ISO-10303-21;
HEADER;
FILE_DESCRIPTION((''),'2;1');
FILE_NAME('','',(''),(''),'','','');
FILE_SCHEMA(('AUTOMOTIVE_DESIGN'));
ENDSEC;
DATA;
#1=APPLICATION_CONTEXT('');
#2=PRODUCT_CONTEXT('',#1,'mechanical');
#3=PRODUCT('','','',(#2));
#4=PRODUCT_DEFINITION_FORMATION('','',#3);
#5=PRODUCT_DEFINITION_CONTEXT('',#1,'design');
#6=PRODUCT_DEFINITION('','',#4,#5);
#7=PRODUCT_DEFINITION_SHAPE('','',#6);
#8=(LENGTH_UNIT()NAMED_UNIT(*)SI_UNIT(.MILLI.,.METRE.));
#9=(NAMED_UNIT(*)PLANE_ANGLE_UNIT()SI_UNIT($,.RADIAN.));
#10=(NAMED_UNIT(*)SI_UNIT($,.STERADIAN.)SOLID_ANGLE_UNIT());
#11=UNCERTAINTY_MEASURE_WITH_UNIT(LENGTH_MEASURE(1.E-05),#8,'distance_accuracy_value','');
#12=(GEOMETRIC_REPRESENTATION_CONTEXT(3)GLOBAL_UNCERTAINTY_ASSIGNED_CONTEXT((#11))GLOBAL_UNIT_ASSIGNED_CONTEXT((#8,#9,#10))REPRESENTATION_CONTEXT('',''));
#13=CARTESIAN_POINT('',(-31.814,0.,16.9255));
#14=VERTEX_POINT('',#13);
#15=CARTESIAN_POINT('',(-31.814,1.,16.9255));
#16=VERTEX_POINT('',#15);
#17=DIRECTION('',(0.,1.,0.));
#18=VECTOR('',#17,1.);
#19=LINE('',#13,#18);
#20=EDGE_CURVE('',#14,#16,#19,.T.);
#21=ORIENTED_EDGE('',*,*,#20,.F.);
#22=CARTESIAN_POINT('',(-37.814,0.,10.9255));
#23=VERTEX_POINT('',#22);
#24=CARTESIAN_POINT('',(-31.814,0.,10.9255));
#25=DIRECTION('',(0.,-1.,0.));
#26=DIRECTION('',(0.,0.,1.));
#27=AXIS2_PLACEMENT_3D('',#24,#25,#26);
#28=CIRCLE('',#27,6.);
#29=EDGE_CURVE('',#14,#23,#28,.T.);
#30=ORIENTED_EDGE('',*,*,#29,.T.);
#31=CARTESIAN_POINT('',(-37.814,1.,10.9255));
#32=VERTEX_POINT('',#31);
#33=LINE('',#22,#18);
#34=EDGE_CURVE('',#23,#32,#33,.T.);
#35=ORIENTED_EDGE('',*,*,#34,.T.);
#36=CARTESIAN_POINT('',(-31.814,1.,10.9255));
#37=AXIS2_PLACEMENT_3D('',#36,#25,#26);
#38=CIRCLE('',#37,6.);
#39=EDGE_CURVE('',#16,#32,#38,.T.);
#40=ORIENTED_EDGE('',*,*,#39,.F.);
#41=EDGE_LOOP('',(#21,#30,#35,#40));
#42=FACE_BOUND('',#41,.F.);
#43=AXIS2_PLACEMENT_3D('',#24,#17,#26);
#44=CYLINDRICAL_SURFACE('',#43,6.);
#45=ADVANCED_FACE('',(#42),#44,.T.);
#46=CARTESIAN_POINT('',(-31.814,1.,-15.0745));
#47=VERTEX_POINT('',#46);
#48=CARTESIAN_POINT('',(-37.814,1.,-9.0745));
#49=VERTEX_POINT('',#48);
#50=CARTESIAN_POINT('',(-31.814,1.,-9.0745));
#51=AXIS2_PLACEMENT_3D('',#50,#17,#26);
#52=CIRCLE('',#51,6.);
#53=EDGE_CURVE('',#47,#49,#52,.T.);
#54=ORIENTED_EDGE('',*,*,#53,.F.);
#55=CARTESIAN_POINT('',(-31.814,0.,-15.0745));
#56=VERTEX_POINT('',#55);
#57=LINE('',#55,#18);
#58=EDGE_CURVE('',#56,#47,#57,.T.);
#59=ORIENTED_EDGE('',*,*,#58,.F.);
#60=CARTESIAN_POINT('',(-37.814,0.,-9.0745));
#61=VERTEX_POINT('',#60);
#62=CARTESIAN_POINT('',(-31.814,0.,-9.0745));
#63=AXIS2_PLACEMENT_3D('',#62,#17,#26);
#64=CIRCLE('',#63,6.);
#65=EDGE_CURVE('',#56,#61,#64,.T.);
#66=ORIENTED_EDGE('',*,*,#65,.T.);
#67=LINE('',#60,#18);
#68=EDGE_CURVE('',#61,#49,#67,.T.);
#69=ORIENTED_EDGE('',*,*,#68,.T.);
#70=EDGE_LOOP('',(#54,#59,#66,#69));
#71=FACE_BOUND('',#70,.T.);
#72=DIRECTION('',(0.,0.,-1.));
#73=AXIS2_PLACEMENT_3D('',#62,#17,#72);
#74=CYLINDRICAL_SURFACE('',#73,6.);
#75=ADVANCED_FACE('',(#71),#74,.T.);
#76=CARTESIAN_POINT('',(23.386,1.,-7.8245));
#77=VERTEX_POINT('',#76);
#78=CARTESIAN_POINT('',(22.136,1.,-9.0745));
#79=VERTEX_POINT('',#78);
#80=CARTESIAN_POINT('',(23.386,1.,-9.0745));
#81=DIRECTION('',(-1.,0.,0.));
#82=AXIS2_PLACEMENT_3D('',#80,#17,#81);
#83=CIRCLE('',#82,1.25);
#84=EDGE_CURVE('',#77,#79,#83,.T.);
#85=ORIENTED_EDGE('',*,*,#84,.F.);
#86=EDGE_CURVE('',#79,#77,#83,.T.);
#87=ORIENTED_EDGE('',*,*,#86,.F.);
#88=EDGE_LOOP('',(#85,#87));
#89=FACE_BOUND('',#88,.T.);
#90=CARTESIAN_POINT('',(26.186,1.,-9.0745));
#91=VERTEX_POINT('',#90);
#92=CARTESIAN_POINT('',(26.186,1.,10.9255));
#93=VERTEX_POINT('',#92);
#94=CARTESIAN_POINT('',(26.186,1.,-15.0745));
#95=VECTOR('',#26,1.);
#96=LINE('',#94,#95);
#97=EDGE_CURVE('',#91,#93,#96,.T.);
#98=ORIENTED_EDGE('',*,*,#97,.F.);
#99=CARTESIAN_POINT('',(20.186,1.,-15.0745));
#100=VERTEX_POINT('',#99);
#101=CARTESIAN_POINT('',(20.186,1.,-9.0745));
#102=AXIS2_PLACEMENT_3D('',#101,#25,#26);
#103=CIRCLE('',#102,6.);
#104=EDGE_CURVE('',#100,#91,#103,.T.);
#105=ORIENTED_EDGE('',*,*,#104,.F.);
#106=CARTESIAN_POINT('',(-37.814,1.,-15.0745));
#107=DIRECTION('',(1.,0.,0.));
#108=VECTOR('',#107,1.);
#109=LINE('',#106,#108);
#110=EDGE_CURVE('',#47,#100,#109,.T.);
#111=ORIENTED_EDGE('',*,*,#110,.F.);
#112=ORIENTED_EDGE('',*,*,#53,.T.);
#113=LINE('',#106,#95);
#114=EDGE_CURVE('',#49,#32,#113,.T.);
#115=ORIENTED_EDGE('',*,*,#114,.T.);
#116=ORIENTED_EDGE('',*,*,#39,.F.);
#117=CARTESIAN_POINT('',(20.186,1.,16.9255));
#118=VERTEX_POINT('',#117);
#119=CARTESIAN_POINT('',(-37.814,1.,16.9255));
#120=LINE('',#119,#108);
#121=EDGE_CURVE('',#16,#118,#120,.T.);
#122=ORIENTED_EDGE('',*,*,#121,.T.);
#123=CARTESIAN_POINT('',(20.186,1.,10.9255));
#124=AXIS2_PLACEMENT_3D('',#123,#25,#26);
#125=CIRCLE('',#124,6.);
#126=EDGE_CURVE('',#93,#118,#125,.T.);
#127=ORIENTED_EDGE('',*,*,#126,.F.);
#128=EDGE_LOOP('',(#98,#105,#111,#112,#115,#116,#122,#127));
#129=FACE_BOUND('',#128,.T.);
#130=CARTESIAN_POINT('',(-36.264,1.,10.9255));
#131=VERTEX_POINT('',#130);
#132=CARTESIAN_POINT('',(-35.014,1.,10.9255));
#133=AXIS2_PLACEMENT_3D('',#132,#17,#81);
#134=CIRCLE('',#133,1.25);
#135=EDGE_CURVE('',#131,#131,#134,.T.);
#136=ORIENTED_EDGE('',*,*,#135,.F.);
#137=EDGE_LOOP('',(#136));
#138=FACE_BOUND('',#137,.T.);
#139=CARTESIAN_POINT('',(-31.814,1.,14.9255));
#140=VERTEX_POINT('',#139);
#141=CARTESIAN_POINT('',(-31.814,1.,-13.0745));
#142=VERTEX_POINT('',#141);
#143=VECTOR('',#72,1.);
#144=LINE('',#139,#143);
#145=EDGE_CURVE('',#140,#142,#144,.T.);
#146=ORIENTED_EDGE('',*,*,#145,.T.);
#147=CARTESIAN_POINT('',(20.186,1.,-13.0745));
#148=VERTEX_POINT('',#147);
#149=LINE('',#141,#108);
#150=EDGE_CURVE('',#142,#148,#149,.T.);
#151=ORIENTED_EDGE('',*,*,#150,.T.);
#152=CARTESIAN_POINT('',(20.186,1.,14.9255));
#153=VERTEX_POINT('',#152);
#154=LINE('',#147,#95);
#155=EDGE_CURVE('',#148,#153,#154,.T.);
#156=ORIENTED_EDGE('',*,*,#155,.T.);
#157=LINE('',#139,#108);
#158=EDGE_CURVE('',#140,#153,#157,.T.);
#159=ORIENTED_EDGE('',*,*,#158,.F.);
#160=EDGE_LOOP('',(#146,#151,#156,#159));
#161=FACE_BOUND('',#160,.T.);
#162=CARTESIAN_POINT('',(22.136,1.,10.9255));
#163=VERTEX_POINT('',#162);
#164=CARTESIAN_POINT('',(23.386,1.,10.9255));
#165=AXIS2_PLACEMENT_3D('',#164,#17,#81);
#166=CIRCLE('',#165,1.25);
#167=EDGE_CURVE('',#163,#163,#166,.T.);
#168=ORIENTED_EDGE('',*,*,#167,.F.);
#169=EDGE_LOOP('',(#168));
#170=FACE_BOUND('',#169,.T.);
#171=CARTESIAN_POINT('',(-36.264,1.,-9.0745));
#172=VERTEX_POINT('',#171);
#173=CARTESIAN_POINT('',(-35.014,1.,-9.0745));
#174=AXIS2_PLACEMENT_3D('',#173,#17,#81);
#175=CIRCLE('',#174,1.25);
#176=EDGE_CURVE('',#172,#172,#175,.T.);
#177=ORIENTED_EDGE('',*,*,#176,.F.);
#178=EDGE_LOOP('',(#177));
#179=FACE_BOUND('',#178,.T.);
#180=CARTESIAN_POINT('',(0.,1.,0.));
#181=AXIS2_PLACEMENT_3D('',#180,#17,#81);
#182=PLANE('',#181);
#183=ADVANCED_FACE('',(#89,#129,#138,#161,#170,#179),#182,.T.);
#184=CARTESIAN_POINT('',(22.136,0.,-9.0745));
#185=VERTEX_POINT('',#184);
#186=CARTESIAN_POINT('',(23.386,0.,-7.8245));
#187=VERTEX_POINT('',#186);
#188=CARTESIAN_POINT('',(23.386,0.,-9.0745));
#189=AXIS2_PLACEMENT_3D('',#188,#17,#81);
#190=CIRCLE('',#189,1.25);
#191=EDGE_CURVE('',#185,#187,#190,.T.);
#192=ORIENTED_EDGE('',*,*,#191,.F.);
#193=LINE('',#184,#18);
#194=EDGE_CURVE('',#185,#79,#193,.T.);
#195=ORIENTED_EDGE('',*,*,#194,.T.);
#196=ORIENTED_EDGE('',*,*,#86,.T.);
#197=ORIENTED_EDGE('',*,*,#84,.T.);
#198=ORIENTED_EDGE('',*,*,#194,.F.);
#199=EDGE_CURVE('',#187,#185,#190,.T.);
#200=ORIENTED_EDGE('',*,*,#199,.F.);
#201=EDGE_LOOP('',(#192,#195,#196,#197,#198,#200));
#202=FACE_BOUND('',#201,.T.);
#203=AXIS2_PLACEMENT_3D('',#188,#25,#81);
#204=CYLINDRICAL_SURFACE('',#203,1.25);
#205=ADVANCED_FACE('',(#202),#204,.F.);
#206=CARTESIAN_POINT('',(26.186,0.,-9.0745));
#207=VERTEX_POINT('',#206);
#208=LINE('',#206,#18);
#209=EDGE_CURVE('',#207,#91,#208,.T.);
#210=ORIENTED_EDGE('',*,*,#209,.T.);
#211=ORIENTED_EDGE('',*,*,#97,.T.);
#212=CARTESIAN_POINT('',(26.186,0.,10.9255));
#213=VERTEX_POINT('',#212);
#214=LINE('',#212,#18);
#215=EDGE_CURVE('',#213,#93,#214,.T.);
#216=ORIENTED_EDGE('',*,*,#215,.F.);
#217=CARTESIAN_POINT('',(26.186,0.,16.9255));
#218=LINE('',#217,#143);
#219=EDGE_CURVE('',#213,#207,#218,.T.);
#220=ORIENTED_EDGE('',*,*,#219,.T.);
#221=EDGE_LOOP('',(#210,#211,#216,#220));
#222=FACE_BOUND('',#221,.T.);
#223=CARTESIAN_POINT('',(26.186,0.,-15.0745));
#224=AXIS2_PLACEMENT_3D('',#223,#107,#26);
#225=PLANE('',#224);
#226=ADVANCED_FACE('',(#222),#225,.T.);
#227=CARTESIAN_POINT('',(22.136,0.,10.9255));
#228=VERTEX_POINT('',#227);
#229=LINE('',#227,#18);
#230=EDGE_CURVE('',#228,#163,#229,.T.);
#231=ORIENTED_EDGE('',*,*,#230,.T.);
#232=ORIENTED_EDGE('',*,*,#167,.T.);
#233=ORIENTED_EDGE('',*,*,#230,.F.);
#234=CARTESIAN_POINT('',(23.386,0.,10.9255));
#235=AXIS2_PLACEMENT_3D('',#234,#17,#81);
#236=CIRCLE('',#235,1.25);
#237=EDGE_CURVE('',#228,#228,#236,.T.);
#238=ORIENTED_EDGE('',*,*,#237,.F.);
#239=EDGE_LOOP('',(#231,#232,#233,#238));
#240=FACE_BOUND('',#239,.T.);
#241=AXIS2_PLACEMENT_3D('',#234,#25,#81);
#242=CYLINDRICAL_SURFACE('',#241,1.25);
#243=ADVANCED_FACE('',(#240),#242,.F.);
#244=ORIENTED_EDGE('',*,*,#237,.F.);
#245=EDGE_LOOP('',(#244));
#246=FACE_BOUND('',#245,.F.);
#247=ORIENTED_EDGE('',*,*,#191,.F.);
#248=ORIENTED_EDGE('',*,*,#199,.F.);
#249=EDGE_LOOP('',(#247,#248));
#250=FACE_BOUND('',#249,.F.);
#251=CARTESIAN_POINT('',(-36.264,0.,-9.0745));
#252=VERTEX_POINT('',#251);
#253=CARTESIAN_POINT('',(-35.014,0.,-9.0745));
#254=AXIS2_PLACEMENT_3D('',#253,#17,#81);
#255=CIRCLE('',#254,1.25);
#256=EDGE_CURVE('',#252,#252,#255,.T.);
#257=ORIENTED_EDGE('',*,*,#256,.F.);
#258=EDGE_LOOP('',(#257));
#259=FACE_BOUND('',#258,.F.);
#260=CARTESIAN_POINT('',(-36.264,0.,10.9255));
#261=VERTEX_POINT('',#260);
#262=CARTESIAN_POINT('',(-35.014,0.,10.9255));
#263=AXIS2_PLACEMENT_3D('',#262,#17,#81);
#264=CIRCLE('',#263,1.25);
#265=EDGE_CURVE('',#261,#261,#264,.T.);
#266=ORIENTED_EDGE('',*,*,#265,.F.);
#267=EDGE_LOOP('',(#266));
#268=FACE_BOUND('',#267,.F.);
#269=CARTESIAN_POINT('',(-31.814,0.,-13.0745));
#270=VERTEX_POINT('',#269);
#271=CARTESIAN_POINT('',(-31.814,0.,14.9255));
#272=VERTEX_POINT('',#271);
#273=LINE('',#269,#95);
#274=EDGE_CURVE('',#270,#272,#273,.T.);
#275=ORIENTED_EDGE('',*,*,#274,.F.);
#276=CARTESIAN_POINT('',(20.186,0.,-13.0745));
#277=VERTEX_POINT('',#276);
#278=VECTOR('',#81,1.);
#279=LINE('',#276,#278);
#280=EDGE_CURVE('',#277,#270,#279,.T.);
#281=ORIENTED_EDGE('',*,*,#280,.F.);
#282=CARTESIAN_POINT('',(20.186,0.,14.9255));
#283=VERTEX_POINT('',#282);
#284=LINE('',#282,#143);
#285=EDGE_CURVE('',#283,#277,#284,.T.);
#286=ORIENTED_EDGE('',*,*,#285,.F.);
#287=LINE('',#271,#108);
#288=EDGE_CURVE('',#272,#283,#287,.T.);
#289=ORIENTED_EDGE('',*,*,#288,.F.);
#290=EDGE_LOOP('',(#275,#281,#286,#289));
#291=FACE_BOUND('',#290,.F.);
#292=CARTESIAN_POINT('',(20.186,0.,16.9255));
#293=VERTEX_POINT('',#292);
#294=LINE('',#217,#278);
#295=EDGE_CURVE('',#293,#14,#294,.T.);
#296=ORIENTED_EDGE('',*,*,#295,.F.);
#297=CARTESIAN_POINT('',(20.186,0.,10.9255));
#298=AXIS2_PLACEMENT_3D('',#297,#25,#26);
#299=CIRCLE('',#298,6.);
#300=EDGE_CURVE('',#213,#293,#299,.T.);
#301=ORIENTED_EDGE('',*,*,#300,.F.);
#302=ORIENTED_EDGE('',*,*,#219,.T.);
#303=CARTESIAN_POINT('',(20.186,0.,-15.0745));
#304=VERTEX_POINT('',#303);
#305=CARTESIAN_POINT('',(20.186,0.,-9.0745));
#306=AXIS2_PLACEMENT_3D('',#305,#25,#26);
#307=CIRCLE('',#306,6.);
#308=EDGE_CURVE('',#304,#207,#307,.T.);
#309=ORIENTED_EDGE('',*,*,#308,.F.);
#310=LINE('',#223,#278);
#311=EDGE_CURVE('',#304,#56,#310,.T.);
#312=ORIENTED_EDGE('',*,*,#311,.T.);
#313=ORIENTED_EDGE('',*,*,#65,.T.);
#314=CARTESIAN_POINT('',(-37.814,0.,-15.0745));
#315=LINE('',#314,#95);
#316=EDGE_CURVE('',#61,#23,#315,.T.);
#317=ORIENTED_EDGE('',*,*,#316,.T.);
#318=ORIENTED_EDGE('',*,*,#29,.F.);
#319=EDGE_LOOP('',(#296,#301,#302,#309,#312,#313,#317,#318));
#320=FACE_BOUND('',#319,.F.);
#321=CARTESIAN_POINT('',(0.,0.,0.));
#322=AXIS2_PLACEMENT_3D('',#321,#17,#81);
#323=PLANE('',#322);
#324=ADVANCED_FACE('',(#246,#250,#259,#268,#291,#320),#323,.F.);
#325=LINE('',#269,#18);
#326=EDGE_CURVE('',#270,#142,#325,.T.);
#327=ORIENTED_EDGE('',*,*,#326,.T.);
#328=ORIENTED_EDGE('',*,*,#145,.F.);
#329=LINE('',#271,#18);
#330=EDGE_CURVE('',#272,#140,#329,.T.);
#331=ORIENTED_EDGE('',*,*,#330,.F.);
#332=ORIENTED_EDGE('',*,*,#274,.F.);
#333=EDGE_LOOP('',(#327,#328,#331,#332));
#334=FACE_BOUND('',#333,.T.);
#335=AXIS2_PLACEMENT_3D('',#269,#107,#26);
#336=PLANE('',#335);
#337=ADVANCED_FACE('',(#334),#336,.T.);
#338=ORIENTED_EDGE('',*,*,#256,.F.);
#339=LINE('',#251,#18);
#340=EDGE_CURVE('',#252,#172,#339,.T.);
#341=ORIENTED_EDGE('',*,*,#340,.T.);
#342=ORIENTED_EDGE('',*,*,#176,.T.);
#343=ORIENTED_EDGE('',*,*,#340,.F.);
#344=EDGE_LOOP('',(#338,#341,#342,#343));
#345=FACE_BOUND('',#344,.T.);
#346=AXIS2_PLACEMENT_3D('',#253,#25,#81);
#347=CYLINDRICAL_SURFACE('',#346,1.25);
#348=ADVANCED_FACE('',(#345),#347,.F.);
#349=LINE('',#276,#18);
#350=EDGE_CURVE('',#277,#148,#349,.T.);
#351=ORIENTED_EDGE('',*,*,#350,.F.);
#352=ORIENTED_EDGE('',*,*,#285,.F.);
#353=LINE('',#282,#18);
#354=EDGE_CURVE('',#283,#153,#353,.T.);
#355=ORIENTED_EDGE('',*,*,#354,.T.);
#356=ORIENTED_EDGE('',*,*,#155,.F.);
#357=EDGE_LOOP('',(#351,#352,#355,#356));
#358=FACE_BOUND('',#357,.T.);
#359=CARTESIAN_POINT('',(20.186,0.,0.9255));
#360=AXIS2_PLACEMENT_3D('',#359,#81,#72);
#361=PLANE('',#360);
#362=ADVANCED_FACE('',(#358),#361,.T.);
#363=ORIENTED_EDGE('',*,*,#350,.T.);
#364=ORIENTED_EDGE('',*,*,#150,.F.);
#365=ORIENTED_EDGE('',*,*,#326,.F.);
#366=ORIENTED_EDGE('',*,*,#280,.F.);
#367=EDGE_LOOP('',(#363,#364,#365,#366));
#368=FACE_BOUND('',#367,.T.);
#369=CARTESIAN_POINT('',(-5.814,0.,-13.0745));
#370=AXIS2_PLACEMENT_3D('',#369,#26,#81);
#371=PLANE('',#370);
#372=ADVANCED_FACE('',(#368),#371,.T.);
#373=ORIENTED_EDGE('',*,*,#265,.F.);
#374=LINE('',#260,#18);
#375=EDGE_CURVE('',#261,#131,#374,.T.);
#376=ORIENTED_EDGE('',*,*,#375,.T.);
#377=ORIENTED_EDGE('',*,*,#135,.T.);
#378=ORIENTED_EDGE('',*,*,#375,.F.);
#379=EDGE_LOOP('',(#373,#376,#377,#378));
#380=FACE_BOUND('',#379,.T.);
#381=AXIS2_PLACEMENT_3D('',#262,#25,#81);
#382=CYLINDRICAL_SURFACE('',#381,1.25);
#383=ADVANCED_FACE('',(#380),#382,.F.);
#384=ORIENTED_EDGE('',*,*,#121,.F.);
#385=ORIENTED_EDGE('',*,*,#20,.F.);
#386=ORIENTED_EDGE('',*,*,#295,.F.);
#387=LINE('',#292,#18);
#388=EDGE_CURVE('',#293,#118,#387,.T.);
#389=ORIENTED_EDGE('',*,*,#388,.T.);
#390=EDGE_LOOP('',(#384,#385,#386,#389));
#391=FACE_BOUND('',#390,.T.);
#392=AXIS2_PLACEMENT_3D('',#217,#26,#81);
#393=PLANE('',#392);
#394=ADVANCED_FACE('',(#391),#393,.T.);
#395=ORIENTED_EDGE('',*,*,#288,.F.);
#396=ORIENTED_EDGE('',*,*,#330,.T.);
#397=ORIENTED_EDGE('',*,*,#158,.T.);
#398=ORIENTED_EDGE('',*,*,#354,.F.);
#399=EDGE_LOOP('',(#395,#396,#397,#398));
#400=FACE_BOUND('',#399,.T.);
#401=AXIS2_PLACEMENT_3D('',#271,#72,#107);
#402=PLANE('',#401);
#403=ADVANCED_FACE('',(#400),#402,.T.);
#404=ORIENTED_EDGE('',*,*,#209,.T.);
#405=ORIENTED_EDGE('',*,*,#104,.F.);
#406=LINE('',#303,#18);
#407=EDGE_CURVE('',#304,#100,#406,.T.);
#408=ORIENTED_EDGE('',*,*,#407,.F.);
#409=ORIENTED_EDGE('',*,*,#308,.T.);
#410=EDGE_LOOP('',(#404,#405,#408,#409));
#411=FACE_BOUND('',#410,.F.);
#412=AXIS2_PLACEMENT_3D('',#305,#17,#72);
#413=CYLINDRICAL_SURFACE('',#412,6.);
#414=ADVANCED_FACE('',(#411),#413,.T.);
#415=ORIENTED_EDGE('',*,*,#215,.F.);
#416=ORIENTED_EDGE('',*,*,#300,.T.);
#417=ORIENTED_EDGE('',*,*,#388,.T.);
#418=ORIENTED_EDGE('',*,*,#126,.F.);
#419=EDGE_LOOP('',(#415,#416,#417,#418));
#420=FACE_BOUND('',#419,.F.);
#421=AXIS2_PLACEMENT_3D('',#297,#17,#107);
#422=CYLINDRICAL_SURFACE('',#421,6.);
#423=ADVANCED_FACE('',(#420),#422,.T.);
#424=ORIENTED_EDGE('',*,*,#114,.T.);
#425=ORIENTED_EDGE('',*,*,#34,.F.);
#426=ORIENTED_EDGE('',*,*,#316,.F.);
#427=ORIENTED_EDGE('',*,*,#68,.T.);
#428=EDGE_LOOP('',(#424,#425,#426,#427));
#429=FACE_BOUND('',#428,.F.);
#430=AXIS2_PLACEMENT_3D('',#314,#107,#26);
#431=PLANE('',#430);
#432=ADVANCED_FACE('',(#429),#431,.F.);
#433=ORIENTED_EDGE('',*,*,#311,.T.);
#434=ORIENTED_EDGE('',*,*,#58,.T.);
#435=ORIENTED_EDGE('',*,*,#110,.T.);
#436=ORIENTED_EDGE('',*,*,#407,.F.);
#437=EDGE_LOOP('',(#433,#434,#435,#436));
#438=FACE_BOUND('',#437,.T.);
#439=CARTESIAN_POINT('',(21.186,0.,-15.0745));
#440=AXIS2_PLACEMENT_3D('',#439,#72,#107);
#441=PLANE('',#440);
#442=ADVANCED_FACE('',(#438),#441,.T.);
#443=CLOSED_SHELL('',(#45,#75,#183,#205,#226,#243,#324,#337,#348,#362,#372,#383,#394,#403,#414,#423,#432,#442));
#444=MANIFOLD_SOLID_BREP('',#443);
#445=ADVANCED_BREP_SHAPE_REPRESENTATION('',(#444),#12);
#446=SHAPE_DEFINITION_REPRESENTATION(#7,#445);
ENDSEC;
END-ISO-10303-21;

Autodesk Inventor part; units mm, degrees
ref_plane "YZ Plane" through (0, 0, 0) normal (1, 0, 0) x (0, 1, 0)
ref_plane "XZ Plane" through (0, 0, 0) normal (0, 1, 0) x (-1, 0, 0)
ref_plane "XY Plane" through (0, 0, 0) normal (0, 0, 1) x (1, 0, 0)
sketch "Szkic1" plane through (0, 0, 0) normal (0, 1, 0) x (-1, 0, 0)
  line L0 (-21.186, -15.0745) -> (-26.186, -15.0745)
  line L1 (-26.186, -15.0745) -> (-26.186, 16.9255)
  line L2 (-26.186, 16.9255) -> (-21.186, 16.9255)
  line L3 (-21.186, 16.9255) -> (-21.186, -15.0745)
  circle A0 centre (-23.386, -9.0745) radius 1.25
  line L4 (-21.186, 0.9255) -> (32.814, 0.9255)
  line L5 (32.814, 16.9255) -> (32.814, -15.0745)
  line L6 (5.814, 0.9255) -> (5.814, -15.0745)
  line L7 (32.814, 16.9255) -> (32.814, -15.0745)
  line L8 (37.814, 16.9255) -> (32.814, 16.9255)
  line L9 (37.814, -15.0745) -> (37.814, 16.9255)
  line L10 (32.814, -15.0745) -> (37.814, -15.0745)
  line L11 (-21.186, 0.9255) -> (-26.186, 0.9255)
  line L12 (-23.386, 0.9255) -> (-23.386, -9.0745)
  line L13 (-23.386, 0.9255) -> (-13.386, 0.9255) construction
  circle A1 centre (-23.386, 10.9255) radius 1.25
  circle A2 centre (35.014, 10.9255) radius 1.25
  circle A3 centre (35.014, -9.0745) radius 1.25
  line L14 (32.814, 16.9255) -> (-21.186, 16.9255)
  line L15 (-21.186, 16.9255) -> (-21.186, -15.0745)
  line L16 (-21.186, -15.0745) -> (32.814, -15.0745)
  line L17 (32.814, -15.0745) -> (32.814, 16.9255)
  line L18 (32.814, 16.9255) -> (-21.186, -15.0745) construction
  line L19 (-21.186, 16.9255) -> (32.814, -15.0745) construction
  line L20 (32.414, -13.3745) -> (-20.186, -13.0745)
  line L21 (31.814, 14.9255) -> (-20.186, 14.9255)
  line L22 (-20.186, 14.9255) -> (-20.186, -13.0745)
  line L23 (-20.186, -13.0745) -> (31.814, -13.0745)
  line L24 (31.814, -13.0745) -> (31.814, 14.9255)
  line L25 (31.814, 14.9255) -> (-20.186, -13.0745) construction
  line L26 (-20.186, 14.9255) -> (31.814, -13.0745) construction
  point P0 (31.814, -14.3745)
  dimension "d12" = 32
  dimension "d13" = 2.5
  dimension "d14" = 5
  dimension "d15" = 2.2
  dimension "d16" = 10
  dimension "d17" = 90
  dimension "d21" = 28
extrude "Wyciągnięcie proste1" add sketch "Szkic1" along normal blind 1 contours L0 L1 L11 L3 | L3 L4 L22 L20 L6 L16 | L11 L1 L2 L3 | L3 L14 L5 L4 L24 L21 L22 | L6 L23 L24 L4 L5 L16 | L20 L23 L6 | L5 L8 L9 L10
fillet "Zaokrąglenie1" radius 6 4 edges at (-37.814, 0.5, 16.9255) (-37.814, 0.5, -15.0745) (26.186, 0.5, -15.0745) (26.186, 0.5, 16.9255)
properties part number "redline"
